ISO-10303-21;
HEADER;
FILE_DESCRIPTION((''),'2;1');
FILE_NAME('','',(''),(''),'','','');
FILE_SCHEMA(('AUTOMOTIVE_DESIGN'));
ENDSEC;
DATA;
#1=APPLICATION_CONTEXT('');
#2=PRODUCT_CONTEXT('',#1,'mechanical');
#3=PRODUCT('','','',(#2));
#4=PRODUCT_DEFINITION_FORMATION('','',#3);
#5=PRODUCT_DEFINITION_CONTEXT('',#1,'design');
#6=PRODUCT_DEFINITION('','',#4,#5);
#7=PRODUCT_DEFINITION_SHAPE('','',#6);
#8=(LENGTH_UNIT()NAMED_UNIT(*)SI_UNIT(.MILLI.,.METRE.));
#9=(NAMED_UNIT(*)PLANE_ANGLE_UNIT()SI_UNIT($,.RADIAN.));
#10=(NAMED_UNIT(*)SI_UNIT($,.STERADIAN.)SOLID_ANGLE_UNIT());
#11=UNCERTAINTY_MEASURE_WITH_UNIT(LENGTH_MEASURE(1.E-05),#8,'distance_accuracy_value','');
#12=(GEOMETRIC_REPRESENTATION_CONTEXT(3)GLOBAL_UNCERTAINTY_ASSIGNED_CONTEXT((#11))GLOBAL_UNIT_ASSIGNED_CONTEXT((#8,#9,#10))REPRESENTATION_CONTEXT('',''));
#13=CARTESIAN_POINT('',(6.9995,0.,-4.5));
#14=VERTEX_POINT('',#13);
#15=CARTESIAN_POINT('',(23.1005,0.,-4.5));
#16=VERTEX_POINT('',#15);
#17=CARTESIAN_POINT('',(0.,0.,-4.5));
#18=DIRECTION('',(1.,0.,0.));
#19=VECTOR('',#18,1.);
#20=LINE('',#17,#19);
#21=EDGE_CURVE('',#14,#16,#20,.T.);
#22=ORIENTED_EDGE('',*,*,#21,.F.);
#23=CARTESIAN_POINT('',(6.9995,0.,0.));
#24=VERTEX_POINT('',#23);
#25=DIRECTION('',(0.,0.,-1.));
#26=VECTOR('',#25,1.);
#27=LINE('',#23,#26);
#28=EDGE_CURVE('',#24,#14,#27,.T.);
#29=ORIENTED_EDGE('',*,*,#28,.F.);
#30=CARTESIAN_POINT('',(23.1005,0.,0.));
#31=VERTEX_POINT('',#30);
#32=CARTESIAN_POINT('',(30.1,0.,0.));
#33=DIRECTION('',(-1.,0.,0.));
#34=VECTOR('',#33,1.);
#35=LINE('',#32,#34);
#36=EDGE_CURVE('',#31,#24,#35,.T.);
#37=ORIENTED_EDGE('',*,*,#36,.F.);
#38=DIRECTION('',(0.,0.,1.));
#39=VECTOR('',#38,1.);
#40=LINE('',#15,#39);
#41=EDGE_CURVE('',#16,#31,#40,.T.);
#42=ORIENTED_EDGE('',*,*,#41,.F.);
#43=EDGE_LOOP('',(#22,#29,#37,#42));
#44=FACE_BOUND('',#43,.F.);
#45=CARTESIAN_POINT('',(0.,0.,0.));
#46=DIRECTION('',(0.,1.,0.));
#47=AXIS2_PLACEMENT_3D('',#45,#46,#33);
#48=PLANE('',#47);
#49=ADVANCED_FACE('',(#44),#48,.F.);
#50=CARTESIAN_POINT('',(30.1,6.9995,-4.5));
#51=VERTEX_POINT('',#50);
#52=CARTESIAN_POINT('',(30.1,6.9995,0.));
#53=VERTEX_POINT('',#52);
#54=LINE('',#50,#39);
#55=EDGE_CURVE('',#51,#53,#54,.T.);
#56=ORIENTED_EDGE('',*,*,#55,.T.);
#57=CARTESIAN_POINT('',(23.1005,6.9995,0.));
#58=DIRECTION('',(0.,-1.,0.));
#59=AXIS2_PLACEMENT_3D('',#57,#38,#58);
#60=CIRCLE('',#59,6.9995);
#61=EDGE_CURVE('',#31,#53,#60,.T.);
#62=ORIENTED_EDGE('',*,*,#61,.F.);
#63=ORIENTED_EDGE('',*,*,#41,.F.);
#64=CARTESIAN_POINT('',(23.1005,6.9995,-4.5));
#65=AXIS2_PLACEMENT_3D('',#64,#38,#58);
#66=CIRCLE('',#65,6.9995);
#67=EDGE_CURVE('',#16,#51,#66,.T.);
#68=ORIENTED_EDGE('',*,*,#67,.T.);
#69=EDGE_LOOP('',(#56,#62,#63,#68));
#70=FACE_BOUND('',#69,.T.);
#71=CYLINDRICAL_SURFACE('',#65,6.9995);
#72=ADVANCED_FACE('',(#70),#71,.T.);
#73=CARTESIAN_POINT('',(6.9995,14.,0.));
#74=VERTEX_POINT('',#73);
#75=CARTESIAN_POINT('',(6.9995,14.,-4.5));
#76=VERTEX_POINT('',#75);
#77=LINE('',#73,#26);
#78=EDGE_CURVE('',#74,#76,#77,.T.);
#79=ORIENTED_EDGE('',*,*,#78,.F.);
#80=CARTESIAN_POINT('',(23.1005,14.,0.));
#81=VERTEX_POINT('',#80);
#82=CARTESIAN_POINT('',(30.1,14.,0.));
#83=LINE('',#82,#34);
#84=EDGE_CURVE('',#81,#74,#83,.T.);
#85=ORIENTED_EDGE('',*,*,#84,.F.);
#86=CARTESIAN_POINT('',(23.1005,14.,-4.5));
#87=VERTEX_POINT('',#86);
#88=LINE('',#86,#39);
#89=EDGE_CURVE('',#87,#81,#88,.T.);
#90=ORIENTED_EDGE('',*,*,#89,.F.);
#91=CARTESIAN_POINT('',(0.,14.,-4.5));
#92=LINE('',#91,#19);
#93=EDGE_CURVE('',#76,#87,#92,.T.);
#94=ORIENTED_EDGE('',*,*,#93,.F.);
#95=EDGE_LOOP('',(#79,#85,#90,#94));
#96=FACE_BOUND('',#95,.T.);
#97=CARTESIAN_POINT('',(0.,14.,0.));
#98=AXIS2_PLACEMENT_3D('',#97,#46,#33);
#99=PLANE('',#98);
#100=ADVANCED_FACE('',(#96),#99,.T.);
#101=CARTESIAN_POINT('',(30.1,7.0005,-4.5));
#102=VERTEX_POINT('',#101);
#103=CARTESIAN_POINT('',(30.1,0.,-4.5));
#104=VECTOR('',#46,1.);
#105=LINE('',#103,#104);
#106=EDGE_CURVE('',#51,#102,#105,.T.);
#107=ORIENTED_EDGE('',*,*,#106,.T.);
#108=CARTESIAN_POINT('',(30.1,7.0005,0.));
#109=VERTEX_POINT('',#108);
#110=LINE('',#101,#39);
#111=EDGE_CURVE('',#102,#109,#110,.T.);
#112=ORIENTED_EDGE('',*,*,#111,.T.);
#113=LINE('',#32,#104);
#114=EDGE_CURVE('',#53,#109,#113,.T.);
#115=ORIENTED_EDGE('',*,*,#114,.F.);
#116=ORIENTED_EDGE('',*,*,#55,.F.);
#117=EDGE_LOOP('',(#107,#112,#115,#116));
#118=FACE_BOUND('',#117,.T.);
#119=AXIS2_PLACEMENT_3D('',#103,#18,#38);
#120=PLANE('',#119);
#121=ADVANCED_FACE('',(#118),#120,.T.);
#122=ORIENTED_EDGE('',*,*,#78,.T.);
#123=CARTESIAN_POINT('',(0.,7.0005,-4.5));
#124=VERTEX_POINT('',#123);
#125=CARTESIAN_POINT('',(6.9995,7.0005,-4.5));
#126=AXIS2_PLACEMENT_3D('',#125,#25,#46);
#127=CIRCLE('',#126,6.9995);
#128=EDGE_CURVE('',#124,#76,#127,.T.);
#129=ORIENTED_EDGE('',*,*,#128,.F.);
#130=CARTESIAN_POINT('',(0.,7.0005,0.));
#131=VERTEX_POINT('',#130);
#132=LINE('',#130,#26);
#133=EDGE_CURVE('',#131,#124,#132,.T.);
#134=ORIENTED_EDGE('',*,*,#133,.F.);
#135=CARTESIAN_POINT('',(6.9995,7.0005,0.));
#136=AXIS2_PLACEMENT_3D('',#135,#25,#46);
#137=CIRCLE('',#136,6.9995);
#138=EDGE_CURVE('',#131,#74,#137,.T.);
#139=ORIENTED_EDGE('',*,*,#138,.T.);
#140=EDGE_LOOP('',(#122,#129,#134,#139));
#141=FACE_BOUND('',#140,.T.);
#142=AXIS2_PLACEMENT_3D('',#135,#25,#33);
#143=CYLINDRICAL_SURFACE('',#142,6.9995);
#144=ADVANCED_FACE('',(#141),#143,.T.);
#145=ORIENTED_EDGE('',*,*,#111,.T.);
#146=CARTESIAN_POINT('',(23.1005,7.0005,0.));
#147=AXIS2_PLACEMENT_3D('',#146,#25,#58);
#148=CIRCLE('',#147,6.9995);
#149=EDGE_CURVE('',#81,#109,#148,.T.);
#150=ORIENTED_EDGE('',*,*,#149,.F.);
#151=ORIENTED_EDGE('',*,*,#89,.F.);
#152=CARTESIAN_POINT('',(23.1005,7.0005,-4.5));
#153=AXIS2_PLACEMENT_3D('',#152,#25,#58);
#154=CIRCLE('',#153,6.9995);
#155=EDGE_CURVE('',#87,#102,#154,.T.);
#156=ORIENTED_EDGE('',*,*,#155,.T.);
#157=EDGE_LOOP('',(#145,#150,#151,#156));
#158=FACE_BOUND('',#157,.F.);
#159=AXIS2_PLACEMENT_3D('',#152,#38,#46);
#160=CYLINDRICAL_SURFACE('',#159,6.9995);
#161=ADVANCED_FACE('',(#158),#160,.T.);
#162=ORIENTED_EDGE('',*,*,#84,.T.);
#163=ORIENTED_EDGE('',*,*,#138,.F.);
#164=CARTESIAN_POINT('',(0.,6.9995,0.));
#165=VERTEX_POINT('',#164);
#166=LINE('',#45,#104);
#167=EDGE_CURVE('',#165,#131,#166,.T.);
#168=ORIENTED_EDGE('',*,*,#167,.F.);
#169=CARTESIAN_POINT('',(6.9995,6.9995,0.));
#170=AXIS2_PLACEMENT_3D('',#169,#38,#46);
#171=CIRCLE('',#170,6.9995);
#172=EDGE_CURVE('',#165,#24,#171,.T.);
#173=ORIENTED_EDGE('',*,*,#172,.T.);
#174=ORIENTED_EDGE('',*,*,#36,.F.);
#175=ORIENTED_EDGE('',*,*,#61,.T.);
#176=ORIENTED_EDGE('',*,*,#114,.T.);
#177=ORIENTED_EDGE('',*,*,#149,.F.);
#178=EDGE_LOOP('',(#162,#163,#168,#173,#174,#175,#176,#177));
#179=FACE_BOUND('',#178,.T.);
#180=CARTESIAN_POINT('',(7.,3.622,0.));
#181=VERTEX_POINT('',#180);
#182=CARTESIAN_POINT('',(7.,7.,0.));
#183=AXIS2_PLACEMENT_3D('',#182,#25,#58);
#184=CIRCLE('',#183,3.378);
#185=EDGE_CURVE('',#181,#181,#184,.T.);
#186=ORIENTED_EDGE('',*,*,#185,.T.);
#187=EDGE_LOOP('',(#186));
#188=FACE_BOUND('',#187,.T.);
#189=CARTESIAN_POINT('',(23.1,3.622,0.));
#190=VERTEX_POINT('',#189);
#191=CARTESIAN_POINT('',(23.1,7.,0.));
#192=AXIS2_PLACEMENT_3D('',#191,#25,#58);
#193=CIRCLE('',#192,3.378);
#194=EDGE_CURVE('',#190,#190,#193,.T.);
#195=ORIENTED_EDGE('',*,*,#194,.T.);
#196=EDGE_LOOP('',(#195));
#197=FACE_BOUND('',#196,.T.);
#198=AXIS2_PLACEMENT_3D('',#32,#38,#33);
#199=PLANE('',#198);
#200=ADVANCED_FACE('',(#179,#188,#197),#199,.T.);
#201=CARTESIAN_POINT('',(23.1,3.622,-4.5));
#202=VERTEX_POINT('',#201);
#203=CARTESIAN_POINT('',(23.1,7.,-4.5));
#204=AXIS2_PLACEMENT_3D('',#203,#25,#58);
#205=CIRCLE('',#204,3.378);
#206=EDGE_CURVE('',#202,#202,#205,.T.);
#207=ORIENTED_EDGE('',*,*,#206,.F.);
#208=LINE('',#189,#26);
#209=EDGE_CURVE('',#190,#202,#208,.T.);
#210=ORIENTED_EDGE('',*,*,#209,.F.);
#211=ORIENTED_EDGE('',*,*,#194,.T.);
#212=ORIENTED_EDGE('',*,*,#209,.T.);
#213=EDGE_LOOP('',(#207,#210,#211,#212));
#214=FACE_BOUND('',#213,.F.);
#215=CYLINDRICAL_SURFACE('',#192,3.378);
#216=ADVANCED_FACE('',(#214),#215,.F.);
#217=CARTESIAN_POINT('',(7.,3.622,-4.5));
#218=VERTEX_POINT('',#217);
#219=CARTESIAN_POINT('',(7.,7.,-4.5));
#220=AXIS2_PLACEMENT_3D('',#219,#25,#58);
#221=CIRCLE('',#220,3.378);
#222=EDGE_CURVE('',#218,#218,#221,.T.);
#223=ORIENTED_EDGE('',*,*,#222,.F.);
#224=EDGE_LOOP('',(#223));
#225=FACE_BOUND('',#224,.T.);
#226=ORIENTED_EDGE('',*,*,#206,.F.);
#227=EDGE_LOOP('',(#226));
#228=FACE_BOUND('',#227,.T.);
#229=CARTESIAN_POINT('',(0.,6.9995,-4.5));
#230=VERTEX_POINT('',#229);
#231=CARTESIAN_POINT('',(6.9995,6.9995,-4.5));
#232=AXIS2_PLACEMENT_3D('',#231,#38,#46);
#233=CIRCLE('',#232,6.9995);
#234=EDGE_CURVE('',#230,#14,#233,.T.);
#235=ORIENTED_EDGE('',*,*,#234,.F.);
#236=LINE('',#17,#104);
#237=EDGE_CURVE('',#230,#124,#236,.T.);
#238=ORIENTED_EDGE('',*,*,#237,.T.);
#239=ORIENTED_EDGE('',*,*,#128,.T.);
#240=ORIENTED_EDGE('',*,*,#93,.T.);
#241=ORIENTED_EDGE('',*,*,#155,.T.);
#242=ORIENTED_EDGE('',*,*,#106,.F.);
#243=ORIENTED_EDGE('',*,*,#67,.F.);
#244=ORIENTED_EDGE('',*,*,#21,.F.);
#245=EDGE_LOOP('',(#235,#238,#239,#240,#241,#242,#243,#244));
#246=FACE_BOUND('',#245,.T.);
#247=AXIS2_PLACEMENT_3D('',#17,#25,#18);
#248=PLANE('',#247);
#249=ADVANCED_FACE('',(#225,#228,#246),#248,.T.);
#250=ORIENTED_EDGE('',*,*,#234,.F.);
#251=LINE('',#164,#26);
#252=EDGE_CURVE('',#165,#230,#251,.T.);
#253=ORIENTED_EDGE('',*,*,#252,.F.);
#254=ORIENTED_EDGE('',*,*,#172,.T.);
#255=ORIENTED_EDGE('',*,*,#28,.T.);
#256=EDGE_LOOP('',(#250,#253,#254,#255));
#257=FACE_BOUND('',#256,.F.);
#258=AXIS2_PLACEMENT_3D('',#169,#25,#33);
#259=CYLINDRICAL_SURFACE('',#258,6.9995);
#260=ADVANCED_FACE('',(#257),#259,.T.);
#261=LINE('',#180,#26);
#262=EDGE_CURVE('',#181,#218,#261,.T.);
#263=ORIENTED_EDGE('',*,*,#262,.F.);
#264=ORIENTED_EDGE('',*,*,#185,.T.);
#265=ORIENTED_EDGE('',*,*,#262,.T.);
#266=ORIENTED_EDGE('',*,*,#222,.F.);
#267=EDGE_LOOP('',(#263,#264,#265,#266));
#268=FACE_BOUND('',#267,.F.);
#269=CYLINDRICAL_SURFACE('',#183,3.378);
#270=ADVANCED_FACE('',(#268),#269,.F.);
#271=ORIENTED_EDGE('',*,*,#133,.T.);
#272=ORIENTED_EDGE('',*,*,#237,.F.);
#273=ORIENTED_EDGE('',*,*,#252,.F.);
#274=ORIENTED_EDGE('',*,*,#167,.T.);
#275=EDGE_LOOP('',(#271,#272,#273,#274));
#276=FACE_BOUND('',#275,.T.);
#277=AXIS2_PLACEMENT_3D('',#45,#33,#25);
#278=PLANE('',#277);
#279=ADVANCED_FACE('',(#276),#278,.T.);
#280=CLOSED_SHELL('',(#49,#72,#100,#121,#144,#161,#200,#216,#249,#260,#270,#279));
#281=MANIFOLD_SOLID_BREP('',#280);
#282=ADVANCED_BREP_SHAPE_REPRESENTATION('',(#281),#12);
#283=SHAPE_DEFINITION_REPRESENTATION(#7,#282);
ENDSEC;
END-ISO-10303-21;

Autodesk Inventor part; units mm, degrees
ref_plane "YZ Plane" through (0, 0, 0) normal (1, 0, 0) x (0, 1, 0)
ref_plane "XZ Plane" through (0, 0, 0) normal (0, 1, 0) x (-1, 0, 0)
ref_plane "XY Plane" through (0, 0, 0) normal (0, 0, 1) x (1, 0, 0)
sketch "Sketch2" plane through (0, 0, 0) normal (0, 1, 0) x (-1, 0, 0)
  line L0 (0, -4.5) -> (-30.1, -4.5)
  line L1 (-30.1, -4.5) -> (-30.1, 0)
  line L2 (-30.1, 0) -> (0, 0)
  line L3 (0, 0) -> (0, -4.5)
  line L4 (-7, -4.5) -> (-7, 0) construction
  line L5 (-23.1, 0) -> (-23.1, -4.5) construction
  point P0 (-7, -2.25)
  point P1 (-23.1, -2.25)
  dimension "d7" = 16.1
  dimension "d8" = 4.5
  dimension "d9" = 7
  dimension "d11" = 7
extrude "Extrusion1" add sketch "Sketch2" along normal blind 14
sketch "Sketch3" plane through (0, 0, 0) normal (0, 0, 1) x (1, 0, 0)
  line L0 (30.1, 0) -> (30.1, 14) projected
  line L1 (0, 0) -> (0, 14) projected
  point P0 (7, 7)
  point P1 (23.1, 7)
  point P2 (30.1, 7)
  point P3 (7, 0)
  point P4 (23.1, 0)
hole "Hole1" at (7, 7, 0) at (23.1, 7, 0) direction (0, 0, -1) diameter 6.756 end through all clearance for "Flat Head Machine Screw (82)" size "1/4" standard "Ansi Unified Screw Threads"
fillet "Fillet1" radius 7 4 edges at (0, 14, -2.25) (0, 0, -2.25) (30.1, 0, -2.25) (30.1, 14, -2.25)
properties part number "R3_3DPrint"
